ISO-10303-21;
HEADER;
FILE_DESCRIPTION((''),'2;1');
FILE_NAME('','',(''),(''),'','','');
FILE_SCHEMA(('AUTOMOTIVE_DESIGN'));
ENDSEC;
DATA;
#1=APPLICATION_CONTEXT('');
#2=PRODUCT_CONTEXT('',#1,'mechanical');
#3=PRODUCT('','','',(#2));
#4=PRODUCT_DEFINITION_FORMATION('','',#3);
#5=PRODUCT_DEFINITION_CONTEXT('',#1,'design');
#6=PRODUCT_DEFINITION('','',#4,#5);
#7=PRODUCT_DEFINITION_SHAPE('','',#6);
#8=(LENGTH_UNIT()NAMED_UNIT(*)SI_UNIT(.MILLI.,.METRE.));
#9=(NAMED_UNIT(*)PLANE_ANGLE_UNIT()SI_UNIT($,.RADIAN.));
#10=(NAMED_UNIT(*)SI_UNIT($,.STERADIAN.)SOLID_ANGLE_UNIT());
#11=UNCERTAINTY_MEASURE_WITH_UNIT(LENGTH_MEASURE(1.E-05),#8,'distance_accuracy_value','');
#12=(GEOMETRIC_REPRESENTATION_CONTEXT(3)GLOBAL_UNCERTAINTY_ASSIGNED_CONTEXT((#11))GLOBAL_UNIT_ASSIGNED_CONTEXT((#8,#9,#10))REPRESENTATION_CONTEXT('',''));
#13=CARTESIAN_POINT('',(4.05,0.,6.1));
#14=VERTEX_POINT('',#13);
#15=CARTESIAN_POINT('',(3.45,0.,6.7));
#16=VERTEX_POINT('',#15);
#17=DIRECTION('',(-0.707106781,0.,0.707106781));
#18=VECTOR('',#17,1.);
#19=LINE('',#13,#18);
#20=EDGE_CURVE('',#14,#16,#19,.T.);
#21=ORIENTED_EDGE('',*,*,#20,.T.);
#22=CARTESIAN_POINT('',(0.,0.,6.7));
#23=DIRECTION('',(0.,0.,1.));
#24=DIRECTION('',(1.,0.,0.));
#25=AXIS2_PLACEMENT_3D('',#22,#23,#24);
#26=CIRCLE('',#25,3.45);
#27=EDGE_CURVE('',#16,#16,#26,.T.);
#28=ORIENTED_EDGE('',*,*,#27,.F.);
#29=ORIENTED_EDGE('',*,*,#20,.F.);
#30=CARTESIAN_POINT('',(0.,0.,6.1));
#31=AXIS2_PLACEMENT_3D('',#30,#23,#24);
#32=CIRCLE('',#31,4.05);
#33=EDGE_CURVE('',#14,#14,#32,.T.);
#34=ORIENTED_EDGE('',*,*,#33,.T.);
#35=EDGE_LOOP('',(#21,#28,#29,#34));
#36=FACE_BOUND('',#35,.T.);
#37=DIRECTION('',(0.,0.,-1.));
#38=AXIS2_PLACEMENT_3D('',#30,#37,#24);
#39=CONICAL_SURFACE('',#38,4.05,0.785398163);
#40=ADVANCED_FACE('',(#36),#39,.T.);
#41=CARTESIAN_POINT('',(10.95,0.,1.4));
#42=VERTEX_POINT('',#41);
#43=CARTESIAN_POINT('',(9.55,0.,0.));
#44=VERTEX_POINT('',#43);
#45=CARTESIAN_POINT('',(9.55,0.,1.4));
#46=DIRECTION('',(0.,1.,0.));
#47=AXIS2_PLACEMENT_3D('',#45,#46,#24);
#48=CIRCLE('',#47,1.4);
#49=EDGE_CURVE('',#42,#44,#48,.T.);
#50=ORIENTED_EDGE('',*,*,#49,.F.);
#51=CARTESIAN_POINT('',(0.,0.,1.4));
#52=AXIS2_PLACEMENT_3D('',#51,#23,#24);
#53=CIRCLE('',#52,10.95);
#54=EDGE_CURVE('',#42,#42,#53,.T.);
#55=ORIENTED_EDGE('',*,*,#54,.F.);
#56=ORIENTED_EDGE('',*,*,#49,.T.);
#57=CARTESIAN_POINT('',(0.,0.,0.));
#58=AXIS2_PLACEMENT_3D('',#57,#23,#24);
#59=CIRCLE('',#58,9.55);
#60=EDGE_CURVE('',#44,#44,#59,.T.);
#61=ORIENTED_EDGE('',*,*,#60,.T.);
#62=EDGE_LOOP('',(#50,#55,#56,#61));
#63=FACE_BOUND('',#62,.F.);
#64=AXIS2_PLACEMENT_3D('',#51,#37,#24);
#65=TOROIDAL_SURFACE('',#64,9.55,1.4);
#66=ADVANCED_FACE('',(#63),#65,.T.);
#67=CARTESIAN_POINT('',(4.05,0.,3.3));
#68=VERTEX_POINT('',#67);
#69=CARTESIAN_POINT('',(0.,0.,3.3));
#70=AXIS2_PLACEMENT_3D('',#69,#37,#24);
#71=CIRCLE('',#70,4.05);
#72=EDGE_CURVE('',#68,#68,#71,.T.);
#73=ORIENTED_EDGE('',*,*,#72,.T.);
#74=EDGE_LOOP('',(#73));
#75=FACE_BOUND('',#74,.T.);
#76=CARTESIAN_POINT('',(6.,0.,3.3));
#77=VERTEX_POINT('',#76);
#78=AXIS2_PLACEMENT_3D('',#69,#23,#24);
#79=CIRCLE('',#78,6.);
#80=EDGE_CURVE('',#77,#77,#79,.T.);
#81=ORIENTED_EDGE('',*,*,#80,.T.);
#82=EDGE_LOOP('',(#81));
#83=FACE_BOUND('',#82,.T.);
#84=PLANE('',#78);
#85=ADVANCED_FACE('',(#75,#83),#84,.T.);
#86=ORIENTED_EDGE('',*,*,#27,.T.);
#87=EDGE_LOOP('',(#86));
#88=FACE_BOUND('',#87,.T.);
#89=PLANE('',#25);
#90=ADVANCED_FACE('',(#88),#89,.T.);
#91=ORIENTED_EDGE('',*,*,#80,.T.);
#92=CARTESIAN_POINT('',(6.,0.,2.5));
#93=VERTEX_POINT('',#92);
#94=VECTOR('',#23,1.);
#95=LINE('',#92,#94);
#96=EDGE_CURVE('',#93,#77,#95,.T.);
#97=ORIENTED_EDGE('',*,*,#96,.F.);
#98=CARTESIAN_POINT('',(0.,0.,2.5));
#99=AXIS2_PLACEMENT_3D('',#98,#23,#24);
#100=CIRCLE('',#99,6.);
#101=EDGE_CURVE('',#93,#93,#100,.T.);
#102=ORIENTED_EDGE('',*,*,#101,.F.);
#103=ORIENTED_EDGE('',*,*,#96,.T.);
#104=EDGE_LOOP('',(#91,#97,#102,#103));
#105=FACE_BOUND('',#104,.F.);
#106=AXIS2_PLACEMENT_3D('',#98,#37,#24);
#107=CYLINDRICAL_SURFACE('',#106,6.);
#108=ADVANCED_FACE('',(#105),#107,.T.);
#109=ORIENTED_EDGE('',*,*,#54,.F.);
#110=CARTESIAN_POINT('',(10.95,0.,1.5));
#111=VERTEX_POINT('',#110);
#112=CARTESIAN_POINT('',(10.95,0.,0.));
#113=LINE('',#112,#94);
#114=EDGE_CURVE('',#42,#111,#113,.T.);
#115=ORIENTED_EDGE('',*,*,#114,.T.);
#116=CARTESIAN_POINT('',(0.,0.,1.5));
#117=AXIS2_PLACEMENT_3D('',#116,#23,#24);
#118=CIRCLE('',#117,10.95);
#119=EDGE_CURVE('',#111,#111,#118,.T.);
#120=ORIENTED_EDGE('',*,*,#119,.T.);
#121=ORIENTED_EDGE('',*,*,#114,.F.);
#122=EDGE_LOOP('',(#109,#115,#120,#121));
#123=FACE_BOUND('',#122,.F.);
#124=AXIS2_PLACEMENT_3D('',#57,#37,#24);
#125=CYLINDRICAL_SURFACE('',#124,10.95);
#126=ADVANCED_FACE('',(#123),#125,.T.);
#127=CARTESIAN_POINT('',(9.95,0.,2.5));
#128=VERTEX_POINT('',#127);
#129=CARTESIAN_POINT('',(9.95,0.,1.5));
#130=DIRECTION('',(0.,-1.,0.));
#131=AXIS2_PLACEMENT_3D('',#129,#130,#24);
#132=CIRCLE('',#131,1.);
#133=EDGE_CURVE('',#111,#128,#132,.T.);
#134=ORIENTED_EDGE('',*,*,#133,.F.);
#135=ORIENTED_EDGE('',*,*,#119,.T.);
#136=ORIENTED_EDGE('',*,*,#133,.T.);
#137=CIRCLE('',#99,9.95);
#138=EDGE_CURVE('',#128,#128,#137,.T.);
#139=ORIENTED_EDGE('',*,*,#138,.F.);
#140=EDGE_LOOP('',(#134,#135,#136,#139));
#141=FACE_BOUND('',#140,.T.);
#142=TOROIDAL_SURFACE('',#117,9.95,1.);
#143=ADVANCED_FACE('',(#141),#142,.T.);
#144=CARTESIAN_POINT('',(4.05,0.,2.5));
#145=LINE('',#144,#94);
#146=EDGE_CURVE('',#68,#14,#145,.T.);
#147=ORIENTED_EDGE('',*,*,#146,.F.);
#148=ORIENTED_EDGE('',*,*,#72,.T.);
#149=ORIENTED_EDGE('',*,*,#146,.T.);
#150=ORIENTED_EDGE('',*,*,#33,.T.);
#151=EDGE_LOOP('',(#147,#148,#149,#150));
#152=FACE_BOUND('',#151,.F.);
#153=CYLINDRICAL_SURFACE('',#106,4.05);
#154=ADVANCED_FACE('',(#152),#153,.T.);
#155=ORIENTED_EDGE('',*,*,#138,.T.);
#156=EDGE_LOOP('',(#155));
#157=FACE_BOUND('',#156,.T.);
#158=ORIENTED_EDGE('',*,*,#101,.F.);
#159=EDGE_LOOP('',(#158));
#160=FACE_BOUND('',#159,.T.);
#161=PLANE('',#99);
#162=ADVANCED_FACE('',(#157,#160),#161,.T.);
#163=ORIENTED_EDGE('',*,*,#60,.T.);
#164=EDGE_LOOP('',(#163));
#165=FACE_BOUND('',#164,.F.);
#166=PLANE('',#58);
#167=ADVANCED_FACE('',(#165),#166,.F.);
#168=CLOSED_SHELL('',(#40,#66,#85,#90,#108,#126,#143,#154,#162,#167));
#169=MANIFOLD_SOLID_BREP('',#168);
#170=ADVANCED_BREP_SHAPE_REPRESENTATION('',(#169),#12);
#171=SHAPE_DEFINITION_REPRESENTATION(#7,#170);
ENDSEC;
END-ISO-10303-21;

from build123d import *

# Parameters (mm, degrees)
F0_R     = 10.95
F1_DEPTH = 2.5
F2_R     = 4.05
F3_DEPTH = 4.2
F4_R     = 1
F5_R     = 6
F6_DEPTH = 0.8
F7_R     = 1.4
F8_SIZE  = 0.6


with BuildPart() as f1:
    # F0 (on Top) → F1 (new body)
    with BuildSketch(Plane.XY):
        Circle(F0_R)
    extrude(amount=F1_DEPTH)

    # F2 (on face) → F3 (join)
    with BuildSketch(Plane.XY.offset(2.5)):
        Circle(F2_R)
    extrude(amount=F3_DEPTH)

    # F4
    f4_edges = [f1.edges().sort_by_distance(p)[0] for p in [
        (-10.95, 0, 2.5),
    ]]
    fillet(f4_edges, radius=F4_R)

    # F5 (on face) → F6 (join)
    with BuildSketch(Plane.XY.offset(2.5)):
        Circle(F5_R)
    extrude(amount=F6_DEPTH)

    # F7
    f7_edges = [f1.edges().sort_by_distance(p)[0] for p in [
        (-10.95, 0, 0),
    ]]
    fillet(f7_edges, radius=F7_R)

    # F8
    f8_edges = [f1.edges().sort_by_distance(p)[0] for p in [
        (-4.05, 0, 6.7),
    ]]
    chamfer(f8_edges, length=F8_SIZE)


solid = f1.part
